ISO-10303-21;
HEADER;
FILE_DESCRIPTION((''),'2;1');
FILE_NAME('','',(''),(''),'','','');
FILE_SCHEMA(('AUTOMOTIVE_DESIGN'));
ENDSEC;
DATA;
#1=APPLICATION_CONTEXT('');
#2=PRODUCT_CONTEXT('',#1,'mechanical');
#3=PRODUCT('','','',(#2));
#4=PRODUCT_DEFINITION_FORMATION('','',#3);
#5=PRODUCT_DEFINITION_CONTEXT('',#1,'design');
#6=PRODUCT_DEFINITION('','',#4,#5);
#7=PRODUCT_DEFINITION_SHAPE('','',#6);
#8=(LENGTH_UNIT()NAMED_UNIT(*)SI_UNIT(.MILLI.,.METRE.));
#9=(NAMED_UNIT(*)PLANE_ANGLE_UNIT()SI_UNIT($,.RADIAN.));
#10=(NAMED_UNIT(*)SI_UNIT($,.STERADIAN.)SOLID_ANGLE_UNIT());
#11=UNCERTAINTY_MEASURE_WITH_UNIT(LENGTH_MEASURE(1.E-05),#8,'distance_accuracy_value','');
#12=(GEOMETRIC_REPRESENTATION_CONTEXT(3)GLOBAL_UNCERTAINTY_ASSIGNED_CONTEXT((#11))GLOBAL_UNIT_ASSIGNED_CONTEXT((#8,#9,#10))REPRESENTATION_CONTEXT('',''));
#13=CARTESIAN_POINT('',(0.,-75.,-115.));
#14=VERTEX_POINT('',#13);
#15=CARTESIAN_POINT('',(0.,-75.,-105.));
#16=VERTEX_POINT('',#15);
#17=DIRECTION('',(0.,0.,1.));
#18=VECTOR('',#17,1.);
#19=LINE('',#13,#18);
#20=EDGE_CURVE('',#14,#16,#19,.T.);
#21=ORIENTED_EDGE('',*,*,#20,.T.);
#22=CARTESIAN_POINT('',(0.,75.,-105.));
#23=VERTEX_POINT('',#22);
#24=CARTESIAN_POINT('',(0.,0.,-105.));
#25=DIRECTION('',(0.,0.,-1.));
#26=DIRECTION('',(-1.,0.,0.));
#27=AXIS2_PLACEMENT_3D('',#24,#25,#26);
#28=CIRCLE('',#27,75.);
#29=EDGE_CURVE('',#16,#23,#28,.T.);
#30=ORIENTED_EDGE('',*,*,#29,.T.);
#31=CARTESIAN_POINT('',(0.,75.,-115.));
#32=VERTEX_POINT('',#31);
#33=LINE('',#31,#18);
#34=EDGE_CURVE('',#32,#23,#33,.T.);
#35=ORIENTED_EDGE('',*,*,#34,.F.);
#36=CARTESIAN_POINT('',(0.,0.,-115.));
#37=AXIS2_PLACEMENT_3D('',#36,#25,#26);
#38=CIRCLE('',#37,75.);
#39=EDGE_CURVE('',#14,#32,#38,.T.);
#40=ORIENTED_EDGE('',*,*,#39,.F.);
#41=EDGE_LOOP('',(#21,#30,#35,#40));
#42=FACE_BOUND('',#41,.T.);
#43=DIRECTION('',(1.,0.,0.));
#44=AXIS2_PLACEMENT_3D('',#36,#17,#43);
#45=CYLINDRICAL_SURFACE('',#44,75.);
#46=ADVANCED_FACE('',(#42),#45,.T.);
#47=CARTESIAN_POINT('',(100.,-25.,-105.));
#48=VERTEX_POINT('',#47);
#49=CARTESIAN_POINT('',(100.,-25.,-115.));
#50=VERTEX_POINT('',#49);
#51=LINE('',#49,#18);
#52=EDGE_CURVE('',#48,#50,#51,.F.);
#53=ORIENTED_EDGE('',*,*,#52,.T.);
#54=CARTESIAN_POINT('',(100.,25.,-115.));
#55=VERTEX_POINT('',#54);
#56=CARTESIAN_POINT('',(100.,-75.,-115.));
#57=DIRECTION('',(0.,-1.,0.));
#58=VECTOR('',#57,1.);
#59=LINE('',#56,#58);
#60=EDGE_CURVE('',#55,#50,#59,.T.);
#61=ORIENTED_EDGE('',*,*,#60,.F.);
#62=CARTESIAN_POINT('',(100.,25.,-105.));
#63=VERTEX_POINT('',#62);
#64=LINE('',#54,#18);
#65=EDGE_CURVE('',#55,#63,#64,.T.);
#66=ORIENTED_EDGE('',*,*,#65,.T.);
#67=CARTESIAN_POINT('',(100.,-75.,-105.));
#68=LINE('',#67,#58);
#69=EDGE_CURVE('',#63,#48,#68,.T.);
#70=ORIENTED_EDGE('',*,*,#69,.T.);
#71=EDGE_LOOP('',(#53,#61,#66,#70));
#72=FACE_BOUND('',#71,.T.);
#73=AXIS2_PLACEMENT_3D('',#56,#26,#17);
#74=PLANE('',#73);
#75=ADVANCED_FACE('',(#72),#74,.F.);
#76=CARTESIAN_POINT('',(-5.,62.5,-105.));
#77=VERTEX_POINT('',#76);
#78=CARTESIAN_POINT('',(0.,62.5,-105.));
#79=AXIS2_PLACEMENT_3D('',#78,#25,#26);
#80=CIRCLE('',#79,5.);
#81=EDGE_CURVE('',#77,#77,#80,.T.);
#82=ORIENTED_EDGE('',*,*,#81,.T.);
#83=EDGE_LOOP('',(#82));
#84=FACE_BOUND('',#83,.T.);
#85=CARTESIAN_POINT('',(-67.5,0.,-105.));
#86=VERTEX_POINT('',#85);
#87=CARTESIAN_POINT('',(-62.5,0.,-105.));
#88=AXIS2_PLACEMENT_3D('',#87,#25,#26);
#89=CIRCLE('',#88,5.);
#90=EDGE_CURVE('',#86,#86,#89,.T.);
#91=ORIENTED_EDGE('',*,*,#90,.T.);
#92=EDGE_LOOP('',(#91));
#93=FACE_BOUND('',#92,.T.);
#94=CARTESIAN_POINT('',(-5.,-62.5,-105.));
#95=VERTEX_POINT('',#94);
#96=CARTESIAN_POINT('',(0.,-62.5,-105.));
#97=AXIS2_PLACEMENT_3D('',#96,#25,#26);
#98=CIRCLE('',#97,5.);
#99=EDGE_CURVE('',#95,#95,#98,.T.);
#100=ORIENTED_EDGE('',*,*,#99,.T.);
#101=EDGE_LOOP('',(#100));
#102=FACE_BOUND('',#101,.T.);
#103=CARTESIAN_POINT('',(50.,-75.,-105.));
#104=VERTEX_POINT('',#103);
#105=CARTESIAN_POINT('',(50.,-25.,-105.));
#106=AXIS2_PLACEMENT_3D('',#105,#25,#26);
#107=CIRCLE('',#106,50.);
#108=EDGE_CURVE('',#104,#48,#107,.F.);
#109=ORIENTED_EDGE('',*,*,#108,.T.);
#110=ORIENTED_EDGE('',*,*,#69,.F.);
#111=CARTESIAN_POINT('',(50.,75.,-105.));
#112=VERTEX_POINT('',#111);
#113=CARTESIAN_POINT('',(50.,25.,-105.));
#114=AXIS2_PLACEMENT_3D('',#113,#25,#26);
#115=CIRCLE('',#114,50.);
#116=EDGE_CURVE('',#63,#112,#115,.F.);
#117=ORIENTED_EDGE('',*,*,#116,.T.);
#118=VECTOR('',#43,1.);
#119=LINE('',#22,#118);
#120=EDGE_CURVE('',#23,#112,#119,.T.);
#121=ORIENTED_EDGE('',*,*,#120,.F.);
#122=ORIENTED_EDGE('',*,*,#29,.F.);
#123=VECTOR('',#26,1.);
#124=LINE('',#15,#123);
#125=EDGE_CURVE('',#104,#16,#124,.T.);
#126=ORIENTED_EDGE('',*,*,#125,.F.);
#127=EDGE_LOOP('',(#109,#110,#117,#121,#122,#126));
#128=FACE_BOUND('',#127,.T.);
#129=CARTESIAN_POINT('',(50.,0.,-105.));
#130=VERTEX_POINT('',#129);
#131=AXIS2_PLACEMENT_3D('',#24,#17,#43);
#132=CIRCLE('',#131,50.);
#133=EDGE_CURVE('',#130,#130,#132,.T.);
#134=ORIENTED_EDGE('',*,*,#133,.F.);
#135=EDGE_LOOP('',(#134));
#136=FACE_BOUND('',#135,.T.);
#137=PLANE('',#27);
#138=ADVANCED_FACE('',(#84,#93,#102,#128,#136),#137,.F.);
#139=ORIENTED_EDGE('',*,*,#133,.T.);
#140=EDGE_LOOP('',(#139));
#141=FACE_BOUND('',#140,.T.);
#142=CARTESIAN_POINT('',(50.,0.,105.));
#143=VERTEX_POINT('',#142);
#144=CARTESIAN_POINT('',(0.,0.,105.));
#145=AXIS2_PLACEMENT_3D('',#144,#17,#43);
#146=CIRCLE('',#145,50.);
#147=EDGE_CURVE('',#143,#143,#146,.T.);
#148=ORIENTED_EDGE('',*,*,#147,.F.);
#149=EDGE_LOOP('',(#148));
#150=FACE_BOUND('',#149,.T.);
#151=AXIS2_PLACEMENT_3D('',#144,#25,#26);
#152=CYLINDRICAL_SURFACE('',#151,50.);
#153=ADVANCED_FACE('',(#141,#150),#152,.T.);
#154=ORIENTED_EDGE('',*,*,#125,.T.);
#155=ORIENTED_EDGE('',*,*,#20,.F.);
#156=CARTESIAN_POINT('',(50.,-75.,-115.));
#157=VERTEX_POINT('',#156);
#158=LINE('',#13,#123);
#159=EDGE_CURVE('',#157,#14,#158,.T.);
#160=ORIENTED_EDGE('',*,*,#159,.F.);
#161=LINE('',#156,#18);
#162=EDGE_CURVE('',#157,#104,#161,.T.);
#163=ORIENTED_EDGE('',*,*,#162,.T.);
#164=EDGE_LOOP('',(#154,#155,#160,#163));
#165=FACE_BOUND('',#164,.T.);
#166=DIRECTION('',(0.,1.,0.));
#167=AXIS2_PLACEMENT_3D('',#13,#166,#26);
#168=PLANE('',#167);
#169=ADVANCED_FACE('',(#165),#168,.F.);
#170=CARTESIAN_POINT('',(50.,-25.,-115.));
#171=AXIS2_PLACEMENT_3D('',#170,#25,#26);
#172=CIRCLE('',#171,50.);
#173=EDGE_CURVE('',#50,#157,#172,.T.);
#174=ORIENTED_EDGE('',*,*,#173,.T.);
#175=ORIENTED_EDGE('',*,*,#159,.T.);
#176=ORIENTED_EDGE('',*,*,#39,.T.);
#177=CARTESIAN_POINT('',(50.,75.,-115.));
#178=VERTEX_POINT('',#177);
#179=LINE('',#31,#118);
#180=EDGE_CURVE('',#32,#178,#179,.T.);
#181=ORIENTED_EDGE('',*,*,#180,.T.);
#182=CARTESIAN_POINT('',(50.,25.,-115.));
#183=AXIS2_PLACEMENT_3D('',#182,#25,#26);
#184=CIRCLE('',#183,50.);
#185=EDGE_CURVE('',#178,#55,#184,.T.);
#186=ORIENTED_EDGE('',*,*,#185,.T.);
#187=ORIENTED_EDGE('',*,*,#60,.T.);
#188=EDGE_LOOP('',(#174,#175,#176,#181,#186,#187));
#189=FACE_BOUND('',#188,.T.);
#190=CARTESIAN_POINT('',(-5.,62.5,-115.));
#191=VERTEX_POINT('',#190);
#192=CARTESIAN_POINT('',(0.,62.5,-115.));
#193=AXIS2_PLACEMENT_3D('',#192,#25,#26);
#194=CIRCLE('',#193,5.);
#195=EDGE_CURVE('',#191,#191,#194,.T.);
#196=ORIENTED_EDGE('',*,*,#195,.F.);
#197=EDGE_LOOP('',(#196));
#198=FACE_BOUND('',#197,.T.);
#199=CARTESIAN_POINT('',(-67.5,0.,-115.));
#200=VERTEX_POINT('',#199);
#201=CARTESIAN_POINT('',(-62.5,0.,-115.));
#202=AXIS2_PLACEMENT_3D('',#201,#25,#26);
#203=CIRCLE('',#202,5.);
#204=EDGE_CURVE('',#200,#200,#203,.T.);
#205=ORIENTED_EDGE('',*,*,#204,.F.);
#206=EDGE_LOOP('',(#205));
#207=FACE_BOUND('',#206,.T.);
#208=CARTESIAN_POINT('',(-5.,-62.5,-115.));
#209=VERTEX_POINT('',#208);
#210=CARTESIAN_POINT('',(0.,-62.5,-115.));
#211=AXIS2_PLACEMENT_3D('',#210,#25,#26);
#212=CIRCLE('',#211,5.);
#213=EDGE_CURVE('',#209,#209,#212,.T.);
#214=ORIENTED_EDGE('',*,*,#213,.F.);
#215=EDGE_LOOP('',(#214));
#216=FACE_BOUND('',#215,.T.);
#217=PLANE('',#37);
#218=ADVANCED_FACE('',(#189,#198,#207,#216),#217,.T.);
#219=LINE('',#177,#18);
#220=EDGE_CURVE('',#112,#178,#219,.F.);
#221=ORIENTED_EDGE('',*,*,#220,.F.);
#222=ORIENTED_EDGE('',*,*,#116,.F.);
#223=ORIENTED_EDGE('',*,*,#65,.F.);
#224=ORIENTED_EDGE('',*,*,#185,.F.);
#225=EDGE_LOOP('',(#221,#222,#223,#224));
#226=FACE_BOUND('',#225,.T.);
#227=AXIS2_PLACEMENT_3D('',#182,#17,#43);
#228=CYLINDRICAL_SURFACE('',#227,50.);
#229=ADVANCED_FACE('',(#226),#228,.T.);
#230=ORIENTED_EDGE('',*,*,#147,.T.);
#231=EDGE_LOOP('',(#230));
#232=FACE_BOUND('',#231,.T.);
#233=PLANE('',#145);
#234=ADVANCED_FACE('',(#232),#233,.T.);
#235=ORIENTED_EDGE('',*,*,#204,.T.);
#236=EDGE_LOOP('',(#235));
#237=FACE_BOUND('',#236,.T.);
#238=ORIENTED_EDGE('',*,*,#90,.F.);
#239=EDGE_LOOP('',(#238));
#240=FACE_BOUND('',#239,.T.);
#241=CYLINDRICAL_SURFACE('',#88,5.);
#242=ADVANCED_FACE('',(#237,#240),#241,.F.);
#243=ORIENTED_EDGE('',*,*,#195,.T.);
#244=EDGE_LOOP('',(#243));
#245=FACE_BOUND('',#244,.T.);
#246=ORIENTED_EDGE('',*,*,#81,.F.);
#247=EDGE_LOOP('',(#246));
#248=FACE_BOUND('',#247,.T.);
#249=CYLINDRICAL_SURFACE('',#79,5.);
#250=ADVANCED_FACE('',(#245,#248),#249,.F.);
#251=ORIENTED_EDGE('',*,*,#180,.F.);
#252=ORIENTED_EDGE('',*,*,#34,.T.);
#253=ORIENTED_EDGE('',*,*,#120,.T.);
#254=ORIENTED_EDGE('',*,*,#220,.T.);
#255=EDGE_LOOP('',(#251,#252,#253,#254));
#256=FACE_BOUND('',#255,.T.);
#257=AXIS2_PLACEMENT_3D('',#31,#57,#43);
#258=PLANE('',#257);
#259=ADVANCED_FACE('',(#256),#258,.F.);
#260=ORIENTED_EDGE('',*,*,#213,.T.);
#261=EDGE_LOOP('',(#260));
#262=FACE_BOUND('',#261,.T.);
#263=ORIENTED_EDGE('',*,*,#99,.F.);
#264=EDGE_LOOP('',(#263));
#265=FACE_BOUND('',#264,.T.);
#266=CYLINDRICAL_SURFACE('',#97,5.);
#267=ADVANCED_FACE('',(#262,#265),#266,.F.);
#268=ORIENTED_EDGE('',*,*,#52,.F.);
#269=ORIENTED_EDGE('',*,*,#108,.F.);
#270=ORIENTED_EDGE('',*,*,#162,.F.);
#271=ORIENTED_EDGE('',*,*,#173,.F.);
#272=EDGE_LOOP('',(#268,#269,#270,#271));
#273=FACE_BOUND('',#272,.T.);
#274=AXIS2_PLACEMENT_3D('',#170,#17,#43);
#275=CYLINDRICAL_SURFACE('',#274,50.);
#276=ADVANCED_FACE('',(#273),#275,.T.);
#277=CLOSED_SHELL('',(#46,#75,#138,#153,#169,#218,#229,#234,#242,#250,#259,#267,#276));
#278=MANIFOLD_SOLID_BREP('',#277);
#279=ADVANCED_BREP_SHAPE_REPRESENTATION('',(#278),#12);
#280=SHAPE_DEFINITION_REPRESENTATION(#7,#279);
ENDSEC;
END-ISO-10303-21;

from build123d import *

# Parameters (mm, degrees)
SKETCH1_R           = 50
BOSS_EXTRUDE1_DEPTH = 105
BOSS_EXTRUDE2_DEPTH = 10
SKETCH3_R           = 5
CUT_EXTRUDE1_DEPTH  = 10
FILLET1_R           = 50


with BuildPart() as part:
    # Sketch1 → Boss-Extrude1 (new, symmetric)
    with BuildSketch(Plane.XY):
        Circle(SKETCH1_R)
    extrude(amount=BOSS_EXTRUDE1_DEPTH, both=True)

    # Sketch2 → Boss-Extrude2 (add)
    with BuildSketch(Plane(origin=(0, 0, -105), x_dir=(-1, 0, 0), z_dir=(0, 0, -1))):
        with BuildLine():
            Line((0, -75), (-100, -75))
            Line((-100, -75), (-100, 75))
            Line((-100, 75), (0, 75))
            ThreePointArc((0, 75), (75, 0), (0, -75))
        make_face()
    extrude(amount=BOSS_EXTRUDE2_DEPTH)

    # Sketch3 → Cut-Extrude1 (cut)
    with BuildSketch(Plane(origin=(0, 0, -115), x_dir=(-1, 0, 0), z_dir=(0, 0, -1))):
        with Locations((0, 62.5)):
            Circle(SKETCH3_R)
        with Locations((0, -62.5)):
            Circle(SKETCH3_R)
        with Locations((62.5, 0)):
            Circle(SKETCH3_R)
    extrude(amount=-CUT_EXTRUDE1_DEPTH, mode=Mode.SUBTRACT)

    # Fillet1
    fillet1_edges = [part.edges().sort_by_distance(p)[0] for p in [
        (100, 75, -110),
        (100, -75, -110),
    ]]
    fillet(fillet1_edges, radius=FILLET1_R)


solid = part.part
